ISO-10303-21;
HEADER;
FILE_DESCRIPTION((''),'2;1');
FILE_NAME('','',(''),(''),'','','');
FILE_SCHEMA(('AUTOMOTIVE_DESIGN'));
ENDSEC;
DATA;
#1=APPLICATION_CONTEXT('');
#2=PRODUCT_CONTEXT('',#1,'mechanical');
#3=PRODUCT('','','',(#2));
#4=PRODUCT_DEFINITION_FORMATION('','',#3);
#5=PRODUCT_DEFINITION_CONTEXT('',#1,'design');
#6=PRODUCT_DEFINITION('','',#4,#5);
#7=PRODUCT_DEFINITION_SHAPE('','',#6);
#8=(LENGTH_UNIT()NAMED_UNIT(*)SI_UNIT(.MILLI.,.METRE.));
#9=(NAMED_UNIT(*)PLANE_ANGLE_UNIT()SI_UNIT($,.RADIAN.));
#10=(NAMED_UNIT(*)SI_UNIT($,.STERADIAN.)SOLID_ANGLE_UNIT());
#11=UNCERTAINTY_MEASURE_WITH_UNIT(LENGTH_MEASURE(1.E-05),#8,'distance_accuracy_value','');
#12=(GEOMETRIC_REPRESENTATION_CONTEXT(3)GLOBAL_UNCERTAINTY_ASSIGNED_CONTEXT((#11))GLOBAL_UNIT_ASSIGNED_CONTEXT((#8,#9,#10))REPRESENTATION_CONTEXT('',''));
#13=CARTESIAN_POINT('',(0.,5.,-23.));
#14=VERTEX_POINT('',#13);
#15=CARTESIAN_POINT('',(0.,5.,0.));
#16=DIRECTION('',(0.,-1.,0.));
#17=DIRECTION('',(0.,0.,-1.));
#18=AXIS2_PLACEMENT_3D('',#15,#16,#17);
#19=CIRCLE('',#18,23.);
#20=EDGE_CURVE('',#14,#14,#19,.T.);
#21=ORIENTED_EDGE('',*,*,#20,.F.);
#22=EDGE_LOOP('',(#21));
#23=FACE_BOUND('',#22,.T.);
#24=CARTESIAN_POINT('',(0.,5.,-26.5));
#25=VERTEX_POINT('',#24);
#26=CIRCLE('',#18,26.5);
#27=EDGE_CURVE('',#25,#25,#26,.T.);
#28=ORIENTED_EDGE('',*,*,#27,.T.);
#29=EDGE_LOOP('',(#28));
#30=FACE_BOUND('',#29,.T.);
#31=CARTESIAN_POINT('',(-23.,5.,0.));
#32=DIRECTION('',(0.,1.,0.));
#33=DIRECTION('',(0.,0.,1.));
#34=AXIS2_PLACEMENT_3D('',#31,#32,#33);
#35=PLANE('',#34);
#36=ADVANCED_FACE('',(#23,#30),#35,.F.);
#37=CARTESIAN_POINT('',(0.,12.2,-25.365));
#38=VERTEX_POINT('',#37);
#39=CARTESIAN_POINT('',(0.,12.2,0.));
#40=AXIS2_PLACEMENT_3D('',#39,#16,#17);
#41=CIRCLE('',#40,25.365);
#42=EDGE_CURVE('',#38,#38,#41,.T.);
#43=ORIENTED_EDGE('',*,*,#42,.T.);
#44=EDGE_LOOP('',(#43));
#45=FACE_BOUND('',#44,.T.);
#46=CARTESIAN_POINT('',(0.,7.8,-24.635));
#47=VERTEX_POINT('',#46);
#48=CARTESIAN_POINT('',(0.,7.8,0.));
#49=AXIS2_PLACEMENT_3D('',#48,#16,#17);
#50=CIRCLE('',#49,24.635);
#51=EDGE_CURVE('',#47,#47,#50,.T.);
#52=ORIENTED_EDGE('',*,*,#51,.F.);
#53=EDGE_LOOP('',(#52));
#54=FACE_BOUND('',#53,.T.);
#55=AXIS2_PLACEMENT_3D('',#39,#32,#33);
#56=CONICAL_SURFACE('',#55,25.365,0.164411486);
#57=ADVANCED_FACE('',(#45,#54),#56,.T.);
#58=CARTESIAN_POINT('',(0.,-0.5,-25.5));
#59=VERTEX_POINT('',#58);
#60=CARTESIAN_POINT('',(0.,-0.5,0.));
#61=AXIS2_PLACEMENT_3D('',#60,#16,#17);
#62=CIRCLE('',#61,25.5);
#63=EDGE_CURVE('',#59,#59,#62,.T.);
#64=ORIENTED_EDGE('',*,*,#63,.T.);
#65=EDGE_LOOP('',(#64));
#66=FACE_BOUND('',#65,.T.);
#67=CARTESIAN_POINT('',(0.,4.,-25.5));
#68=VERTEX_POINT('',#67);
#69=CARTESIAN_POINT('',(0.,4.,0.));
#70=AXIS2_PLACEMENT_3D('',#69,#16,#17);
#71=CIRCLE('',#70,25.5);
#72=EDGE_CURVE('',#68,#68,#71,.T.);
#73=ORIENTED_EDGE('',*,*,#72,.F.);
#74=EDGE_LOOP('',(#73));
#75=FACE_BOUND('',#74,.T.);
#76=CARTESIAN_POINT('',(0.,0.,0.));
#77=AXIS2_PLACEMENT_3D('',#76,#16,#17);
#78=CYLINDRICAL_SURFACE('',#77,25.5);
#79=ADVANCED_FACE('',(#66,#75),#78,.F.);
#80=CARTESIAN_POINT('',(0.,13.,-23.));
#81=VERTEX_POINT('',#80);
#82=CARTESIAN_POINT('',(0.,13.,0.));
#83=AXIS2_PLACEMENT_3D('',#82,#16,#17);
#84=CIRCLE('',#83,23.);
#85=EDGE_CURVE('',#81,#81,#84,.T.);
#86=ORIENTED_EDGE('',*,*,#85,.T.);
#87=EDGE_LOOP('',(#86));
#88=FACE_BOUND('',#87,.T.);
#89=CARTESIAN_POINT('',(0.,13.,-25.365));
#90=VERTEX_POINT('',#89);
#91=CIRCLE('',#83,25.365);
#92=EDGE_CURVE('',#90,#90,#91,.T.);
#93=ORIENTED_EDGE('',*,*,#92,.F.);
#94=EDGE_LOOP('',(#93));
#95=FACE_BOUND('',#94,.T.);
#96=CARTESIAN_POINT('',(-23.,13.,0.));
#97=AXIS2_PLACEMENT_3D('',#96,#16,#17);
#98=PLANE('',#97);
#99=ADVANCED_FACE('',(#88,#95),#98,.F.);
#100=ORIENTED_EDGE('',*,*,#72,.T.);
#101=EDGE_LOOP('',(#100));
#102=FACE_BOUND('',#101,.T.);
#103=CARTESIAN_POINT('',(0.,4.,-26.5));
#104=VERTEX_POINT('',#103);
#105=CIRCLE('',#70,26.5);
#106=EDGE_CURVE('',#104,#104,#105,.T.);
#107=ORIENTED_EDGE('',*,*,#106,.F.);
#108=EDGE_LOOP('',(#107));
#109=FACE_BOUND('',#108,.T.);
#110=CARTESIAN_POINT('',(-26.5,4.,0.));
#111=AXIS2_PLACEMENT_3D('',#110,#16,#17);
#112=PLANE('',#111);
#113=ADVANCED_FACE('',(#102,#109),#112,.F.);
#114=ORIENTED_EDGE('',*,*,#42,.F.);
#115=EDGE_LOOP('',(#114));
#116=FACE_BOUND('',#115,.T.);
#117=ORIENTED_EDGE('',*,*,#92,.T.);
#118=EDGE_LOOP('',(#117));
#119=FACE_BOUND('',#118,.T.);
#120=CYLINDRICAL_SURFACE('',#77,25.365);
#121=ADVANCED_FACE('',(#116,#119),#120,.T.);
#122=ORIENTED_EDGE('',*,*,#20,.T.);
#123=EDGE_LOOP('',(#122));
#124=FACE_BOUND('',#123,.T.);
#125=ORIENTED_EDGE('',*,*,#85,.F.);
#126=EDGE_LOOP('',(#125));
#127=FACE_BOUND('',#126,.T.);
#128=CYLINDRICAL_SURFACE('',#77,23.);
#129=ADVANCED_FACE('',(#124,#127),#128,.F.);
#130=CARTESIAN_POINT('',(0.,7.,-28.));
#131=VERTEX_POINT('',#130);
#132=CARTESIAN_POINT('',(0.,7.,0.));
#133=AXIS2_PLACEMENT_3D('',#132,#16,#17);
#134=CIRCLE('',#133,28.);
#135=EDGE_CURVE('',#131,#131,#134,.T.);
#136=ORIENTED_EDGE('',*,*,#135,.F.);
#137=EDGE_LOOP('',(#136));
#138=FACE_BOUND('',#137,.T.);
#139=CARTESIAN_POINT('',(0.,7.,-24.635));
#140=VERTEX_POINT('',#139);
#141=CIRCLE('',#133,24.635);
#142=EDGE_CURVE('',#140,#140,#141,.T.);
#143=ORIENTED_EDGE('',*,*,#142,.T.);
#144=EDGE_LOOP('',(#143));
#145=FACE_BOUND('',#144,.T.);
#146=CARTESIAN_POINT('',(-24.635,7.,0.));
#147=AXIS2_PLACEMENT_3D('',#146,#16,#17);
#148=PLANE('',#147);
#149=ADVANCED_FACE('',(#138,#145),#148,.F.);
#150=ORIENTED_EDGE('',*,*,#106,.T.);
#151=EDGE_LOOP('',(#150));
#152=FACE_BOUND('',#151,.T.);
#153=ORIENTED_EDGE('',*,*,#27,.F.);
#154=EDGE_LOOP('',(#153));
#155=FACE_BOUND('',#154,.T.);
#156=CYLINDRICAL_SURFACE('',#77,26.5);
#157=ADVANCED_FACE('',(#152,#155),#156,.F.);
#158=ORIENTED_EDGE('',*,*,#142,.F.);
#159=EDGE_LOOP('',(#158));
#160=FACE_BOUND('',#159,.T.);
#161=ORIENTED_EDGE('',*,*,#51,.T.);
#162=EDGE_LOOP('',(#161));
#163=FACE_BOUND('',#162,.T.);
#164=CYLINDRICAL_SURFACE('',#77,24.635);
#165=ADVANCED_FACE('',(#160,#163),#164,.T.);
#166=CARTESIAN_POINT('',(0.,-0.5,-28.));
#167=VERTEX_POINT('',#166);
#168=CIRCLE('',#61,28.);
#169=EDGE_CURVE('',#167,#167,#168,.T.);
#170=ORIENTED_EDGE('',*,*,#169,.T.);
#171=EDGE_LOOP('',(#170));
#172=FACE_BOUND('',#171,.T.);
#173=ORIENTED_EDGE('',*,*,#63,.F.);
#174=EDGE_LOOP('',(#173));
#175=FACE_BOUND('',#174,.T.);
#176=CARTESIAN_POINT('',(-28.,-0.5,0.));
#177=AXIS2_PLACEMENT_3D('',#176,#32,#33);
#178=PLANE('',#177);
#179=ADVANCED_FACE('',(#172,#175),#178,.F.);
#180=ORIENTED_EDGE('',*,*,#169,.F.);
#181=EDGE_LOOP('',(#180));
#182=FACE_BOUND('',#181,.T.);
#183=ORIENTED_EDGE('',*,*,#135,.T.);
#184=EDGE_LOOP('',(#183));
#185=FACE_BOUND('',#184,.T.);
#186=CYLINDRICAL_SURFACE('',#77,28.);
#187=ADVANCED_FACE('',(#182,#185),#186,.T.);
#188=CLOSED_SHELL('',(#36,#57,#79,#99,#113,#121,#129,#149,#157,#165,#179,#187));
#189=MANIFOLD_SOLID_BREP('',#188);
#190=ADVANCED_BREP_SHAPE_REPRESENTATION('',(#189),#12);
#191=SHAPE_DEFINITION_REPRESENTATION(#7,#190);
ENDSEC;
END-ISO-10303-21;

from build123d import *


with BuildPart() as part:
    # 草图1 → 旋转1 (revolve)
    with BuildSketch(Plane.XY, mode=Mode.PRIVATE) as revolve_1_sk:
        Polygon((-23, 5), (-23, 13), (-25.365, 13), (-25.365, 12.2), (-24.635, 7.8), (-24.635, 7), (-28, 7), (-28, -0.5), (-25.5, -0.5), (-25.5, 4), (-26.5, 4), (-26.5, 5), align=None)
    revolve(revolve_1_sk.sketch.rotate(Axis((0, 0, 0), (0, 1, 0)), 270), axis=Axis((0, 0, 0), (0, 1, 0)))  # turned: the seam where the file's is


solid = part.part
